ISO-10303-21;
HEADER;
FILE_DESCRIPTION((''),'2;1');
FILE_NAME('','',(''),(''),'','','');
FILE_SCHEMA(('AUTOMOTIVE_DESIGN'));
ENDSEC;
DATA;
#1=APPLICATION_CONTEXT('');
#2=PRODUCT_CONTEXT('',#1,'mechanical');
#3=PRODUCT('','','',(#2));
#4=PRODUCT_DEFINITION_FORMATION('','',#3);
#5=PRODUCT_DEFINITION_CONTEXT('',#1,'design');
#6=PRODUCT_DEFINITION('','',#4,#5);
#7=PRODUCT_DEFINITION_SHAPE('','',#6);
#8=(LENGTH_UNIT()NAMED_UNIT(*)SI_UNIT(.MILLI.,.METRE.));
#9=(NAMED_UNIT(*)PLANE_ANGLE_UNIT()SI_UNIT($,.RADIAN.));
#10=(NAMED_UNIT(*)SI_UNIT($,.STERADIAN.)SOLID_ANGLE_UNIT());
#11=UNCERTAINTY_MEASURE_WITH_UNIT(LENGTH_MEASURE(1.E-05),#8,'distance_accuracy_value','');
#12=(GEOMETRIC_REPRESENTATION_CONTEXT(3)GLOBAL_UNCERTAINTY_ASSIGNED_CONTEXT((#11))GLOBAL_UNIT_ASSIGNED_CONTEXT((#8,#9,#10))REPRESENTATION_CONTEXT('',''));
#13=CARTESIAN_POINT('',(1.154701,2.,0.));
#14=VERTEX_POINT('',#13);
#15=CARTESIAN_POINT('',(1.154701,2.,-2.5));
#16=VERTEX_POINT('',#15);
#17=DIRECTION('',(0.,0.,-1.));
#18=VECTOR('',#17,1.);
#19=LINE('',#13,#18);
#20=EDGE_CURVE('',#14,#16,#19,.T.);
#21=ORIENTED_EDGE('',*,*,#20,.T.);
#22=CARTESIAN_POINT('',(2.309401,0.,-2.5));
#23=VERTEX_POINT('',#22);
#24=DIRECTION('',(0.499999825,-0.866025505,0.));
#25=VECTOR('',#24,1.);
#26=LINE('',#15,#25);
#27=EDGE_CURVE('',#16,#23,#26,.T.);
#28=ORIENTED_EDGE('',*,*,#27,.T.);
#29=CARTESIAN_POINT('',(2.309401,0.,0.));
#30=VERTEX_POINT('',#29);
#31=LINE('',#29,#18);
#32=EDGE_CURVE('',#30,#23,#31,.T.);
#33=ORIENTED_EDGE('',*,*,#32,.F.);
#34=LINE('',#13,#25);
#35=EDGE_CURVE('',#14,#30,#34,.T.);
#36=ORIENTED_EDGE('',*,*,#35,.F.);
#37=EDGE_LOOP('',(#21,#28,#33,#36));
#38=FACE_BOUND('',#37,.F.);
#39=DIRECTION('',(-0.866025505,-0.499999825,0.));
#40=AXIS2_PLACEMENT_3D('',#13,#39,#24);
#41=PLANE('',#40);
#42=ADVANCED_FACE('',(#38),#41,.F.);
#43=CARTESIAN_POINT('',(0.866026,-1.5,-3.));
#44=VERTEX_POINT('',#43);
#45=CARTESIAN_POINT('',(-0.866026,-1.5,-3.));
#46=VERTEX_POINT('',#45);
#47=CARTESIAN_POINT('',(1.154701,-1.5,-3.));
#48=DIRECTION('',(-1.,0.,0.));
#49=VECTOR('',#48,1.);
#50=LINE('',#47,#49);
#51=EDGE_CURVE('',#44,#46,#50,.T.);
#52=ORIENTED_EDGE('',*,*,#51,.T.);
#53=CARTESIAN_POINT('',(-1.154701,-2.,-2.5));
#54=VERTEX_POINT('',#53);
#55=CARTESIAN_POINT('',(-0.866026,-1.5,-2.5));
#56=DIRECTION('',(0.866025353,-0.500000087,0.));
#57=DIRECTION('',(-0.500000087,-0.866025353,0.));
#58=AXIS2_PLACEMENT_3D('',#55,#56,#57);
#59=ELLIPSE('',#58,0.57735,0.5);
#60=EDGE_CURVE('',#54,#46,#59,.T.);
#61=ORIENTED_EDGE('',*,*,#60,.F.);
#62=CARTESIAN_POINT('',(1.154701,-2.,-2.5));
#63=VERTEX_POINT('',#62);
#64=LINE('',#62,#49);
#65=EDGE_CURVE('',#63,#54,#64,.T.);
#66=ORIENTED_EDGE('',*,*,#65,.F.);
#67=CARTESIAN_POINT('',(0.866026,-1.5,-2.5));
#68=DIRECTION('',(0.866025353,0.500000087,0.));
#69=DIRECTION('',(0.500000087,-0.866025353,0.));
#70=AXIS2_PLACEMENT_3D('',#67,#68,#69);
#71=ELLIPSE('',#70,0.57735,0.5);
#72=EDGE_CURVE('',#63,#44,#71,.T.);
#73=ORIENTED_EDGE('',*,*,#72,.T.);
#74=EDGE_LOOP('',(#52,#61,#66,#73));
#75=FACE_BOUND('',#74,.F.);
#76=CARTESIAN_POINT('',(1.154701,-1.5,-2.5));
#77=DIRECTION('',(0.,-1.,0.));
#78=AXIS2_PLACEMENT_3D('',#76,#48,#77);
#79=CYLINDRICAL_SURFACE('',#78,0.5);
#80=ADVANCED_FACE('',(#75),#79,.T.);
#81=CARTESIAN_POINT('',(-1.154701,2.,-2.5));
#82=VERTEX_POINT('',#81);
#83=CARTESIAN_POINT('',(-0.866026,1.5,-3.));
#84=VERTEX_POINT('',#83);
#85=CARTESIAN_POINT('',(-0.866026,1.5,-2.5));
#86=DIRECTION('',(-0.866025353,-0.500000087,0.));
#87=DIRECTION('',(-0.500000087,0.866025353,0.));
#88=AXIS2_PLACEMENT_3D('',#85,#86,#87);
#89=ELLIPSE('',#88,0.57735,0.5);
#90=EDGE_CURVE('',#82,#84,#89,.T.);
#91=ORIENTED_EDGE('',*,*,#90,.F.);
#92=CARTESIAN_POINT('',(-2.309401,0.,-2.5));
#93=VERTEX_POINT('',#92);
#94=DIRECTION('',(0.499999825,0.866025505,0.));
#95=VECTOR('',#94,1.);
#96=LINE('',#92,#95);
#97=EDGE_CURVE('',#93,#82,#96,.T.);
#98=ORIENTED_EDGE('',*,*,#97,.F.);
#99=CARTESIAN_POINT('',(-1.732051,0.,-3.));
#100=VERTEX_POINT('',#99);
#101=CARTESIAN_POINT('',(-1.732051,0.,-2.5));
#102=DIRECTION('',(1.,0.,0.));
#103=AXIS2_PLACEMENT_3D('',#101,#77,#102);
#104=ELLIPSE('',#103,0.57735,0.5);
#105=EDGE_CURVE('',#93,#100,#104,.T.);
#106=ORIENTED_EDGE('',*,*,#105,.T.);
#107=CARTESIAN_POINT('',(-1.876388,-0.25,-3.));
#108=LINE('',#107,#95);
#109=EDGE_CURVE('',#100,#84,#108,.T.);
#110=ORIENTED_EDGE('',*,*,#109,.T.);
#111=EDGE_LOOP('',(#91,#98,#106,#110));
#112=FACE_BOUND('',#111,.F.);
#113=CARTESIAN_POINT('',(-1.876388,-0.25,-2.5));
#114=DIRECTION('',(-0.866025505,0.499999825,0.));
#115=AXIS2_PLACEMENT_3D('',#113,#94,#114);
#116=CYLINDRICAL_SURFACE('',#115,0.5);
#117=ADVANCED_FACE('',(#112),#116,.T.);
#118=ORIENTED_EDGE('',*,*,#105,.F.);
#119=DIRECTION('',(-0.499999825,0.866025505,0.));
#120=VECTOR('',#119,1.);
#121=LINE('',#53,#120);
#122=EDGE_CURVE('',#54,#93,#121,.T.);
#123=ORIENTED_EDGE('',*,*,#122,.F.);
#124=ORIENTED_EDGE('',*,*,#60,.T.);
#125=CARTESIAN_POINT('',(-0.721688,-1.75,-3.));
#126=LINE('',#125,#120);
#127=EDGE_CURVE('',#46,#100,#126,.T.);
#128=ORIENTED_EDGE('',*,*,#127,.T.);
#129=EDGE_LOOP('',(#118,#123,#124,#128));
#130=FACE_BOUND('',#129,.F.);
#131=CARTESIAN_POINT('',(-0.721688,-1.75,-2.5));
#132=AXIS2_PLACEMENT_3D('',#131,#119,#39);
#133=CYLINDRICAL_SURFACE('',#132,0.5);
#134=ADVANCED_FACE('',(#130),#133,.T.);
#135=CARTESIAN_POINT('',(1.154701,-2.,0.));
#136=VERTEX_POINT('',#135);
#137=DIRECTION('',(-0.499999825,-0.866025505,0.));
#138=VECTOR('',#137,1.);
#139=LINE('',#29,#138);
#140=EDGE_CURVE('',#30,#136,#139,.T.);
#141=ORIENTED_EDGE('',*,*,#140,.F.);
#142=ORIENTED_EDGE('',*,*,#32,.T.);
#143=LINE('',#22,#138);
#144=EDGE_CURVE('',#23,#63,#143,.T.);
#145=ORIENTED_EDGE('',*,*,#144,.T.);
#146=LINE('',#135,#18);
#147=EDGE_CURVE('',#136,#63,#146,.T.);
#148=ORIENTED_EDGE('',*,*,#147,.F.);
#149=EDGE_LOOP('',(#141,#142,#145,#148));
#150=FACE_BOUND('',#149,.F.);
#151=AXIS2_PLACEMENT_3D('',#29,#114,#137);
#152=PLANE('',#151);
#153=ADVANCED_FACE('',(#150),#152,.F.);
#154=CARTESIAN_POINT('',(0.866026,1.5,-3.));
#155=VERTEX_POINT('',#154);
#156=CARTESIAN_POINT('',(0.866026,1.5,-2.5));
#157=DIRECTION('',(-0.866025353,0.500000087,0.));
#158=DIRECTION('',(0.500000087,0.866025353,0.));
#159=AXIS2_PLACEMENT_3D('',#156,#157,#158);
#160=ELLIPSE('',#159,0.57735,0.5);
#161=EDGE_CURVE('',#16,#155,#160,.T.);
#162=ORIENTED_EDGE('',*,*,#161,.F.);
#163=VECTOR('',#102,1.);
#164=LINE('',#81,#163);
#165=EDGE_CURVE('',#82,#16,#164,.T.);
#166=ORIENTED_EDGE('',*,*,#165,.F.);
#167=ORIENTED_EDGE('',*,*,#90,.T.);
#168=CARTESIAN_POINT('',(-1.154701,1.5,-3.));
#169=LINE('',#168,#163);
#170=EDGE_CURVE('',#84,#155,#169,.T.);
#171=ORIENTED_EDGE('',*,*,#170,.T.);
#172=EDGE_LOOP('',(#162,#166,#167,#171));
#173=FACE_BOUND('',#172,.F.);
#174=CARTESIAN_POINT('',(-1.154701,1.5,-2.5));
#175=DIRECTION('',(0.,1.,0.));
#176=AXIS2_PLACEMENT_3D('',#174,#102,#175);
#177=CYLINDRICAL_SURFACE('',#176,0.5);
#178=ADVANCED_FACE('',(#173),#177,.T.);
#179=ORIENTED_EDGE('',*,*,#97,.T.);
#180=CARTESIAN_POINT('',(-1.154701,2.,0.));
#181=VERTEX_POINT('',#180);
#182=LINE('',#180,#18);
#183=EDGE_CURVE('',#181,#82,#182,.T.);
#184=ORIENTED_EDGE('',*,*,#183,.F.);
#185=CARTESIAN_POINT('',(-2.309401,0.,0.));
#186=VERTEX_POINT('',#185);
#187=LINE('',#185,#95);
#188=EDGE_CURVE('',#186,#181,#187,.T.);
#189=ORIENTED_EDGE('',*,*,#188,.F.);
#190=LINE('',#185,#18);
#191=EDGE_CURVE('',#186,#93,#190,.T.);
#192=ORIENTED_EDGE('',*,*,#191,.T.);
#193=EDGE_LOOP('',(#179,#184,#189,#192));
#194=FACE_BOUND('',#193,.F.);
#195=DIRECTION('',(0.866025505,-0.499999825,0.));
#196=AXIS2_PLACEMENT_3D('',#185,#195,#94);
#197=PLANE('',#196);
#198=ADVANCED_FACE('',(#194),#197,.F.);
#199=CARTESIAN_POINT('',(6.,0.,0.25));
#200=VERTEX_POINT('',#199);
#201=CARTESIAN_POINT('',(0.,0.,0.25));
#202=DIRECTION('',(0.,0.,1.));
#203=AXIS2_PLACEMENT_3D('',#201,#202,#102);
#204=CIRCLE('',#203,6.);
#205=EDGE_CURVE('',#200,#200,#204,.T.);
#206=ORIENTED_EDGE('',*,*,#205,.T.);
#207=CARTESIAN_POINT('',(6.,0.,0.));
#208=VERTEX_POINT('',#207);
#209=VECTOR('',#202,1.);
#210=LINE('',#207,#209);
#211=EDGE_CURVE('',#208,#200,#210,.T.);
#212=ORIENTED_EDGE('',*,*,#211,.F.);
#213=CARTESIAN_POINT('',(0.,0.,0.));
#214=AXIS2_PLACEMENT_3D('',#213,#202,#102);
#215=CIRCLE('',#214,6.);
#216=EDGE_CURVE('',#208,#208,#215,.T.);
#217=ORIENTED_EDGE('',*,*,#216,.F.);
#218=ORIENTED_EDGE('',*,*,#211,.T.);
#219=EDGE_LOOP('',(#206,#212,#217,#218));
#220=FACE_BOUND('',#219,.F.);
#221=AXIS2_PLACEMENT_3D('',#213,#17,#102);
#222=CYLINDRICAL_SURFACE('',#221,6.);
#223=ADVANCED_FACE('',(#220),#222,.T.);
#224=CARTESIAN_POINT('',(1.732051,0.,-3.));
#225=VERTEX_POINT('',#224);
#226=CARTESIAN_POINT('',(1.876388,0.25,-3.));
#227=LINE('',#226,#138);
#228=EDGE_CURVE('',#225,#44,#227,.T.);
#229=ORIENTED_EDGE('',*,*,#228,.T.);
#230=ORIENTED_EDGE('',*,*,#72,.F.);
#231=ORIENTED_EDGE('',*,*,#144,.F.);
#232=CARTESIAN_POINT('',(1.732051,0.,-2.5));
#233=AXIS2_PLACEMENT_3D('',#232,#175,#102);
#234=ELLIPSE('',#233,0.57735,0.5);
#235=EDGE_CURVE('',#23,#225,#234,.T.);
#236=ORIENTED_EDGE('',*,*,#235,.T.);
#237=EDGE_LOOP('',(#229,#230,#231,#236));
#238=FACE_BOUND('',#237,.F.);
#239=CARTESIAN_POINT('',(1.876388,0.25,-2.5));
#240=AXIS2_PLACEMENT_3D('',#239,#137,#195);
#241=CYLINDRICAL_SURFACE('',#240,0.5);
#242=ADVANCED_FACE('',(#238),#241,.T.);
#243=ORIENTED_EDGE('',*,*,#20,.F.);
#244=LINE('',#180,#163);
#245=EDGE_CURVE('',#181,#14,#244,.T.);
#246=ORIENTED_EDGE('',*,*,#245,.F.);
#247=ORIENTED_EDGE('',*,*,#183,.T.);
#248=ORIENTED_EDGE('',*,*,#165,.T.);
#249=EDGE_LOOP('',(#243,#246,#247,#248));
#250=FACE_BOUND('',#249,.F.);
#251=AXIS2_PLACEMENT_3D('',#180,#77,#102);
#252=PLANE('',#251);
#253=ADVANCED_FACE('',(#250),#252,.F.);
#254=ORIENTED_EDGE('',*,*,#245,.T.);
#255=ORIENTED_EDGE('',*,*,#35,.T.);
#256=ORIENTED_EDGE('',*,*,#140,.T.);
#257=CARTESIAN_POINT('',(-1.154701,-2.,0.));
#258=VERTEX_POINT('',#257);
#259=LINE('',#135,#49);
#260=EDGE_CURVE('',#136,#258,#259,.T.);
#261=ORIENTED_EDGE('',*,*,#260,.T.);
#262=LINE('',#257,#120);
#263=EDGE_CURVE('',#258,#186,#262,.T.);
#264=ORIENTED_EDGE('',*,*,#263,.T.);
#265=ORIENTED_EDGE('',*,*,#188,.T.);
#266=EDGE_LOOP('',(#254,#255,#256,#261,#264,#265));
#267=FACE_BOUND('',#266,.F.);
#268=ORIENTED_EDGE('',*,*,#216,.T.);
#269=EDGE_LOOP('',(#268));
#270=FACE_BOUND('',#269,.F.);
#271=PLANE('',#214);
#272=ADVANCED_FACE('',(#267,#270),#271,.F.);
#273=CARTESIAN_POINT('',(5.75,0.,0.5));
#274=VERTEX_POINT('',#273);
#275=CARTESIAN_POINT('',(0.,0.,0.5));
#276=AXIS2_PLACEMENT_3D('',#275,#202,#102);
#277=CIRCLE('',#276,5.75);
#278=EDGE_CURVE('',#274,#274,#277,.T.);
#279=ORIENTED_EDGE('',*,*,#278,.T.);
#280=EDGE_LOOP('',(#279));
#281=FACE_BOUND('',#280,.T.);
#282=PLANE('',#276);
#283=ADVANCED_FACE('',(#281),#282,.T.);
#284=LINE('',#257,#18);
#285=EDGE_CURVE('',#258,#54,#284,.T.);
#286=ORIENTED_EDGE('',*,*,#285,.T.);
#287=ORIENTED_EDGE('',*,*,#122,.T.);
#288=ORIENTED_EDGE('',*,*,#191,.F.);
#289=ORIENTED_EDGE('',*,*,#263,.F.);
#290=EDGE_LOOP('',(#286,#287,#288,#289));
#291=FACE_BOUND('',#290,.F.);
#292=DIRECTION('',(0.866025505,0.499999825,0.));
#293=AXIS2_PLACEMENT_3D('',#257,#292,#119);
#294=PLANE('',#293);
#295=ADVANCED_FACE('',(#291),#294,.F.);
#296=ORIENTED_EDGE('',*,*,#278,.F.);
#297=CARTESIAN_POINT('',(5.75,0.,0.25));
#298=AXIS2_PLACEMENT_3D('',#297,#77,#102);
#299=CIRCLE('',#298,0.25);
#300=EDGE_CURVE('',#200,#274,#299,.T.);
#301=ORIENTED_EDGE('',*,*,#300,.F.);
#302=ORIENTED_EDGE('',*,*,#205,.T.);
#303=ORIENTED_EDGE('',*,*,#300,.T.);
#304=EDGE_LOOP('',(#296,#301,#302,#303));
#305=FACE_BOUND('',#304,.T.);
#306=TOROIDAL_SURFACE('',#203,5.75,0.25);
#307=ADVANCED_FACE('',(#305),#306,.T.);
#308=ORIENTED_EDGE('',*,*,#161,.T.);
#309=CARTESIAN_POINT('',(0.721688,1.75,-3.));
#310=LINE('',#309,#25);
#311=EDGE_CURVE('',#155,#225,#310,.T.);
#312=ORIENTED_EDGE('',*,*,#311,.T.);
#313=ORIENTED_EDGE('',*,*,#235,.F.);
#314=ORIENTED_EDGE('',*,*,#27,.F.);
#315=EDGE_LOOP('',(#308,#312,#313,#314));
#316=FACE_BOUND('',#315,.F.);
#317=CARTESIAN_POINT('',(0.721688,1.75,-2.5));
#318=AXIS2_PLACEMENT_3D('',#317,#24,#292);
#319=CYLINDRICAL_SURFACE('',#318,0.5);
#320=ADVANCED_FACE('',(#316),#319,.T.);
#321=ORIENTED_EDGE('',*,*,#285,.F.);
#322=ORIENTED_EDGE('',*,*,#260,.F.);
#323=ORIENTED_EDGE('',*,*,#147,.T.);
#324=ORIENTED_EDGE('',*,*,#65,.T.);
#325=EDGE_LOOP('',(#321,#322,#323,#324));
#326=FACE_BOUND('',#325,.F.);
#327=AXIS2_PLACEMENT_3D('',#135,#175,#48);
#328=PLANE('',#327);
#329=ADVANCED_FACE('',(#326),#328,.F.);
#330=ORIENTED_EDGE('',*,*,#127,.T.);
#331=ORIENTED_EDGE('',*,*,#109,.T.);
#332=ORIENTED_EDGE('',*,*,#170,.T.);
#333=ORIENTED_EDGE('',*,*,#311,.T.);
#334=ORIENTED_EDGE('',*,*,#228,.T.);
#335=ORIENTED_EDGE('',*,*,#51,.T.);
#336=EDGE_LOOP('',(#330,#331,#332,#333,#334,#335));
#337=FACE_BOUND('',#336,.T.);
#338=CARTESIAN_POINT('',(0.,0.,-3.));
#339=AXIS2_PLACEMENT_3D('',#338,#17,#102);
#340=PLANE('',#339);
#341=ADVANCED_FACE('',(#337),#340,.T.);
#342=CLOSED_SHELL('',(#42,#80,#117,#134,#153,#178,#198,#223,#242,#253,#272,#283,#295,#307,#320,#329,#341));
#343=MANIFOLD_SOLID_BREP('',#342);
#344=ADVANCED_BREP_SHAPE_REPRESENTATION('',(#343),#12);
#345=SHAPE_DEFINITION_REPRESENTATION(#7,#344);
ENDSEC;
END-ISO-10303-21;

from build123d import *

# Parameters (mm, degrees)
F0_R     = 6
F1_DEPTH = 0.5
F3_DEPTH = 3
F4_R     = 0.5
F5_R     = 0.25


with BuildPart() as f1:
    # F0 (on Top) → F1 (new body)
    with BuildSketch(Plane.XY):
        Circle(F0_R)
    extrude(amount=F1_DEPTH)

    # F2 (on face) → F3 (join)
    with BuildSketch(Plane(origin=(0, 0, 0), x_dir=(1, 0, 0), z_dir=(0, 0, -1))):
        Polygon((-1.154701, -2), (1.154701, -2), (2.309401, 0), (1.154701, 2), (-1.154701, 2), (-2.309401, 0), align=None)
    extrude(amount=F3_DEPTH)

    # F4
    f4_edges = [f1.edges().sort_by_distance(p)[0] for p in [
        (-1.732051, 1, -3),
        (0, 2, -3),
        (1.732051, 1, -3),
        (1.732051, -1, -3),
        (0, -2, -3),
        (-1.732051, -1, -3),
    ]]
    fillet(f4_edges, radius=F4_R)

    # F5
    f5_edges = [f1.edges().sort_by_distance(p)[0] for p in [
        (-6, 0, 0.5),
    ]]
    fillet(f5_edges, radius=F5_R)


solid = f1.part
